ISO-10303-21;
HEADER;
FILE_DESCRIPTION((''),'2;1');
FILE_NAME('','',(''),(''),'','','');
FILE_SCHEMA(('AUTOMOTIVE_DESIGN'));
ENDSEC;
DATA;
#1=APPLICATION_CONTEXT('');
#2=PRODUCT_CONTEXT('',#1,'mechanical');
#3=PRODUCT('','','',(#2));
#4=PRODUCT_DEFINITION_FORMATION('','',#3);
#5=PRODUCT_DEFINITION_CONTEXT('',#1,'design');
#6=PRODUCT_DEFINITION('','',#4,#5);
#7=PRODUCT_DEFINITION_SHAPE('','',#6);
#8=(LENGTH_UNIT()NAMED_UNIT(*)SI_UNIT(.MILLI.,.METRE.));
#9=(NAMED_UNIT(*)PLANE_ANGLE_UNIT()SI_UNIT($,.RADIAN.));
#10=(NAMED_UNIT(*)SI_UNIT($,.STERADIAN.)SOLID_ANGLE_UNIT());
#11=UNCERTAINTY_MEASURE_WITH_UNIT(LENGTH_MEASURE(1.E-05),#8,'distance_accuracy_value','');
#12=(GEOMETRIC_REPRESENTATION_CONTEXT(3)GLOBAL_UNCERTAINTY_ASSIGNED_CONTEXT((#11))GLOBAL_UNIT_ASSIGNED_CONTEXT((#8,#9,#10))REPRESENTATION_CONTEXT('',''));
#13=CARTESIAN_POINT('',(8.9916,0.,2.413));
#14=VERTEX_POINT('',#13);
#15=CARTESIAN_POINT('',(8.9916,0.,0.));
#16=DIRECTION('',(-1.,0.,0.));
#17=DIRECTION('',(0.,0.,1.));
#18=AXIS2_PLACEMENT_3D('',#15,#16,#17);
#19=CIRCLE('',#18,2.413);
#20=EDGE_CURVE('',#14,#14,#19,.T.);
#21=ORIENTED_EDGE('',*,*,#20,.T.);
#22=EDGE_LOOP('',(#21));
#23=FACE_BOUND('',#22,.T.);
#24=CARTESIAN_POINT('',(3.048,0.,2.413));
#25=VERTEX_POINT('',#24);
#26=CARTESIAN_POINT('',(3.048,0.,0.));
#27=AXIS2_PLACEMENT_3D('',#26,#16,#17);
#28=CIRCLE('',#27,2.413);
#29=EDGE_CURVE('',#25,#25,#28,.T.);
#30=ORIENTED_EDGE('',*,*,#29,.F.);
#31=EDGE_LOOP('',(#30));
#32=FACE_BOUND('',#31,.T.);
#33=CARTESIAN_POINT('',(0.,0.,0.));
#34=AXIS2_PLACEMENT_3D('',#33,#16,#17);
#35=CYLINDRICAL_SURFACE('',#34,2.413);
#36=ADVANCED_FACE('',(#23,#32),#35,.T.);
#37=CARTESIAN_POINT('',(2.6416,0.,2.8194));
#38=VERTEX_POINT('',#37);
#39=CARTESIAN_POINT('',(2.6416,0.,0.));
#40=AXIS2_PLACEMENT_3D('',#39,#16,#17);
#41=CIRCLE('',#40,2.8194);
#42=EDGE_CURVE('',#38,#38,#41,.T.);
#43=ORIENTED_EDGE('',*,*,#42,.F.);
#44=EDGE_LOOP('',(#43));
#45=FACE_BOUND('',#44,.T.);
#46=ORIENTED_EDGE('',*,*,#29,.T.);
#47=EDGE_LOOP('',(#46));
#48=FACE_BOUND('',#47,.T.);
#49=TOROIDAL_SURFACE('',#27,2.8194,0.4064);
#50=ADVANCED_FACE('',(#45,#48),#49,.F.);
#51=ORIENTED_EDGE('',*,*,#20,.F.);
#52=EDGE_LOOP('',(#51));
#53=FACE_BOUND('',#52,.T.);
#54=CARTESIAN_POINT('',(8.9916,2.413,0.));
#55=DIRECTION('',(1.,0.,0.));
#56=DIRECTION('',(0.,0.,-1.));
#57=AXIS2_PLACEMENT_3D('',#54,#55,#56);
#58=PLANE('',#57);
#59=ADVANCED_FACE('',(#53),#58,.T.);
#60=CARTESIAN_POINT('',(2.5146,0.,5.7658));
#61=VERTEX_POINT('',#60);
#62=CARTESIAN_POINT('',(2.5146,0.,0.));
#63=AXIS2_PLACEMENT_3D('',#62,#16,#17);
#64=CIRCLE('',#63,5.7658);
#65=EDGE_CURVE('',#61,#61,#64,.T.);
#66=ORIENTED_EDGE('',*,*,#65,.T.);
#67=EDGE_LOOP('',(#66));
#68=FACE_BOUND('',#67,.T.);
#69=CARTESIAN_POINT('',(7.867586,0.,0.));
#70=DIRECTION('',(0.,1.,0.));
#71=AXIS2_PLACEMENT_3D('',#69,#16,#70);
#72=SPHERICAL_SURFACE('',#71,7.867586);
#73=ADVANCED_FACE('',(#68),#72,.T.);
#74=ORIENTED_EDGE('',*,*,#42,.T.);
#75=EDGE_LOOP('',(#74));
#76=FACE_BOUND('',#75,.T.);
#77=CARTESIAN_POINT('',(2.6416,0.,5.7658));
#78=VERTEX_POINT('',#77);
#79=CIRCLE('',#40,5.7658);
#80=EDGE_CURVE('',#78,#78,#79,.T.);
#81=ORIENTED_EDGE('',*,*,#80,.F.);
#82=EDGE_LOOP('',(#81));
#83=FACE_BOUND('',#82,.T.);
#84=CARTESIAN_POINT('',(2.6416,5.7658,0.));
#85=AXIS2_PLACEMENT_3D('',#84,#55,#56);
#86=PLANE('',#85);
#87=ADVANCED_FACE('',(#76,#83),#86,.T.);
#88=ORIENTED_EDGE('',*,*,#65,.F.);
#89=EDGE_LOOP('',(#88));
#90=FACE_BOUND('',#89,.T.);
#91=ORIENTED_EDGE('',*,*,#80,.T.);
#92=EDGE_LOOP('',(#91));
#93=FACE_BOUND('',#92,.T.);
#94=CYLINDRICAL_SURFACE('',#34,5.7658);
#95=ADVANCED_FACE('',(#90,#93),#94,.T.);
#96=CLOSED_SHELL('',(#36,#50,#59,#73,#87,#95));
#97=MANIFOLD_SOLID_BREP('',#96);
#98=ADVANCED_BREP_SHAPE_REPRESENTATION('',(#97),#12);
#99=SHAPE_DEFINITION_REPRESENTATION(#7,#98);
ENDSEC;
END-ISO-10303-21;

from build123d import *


with BuildPart() as part:
    # BodySke → Base-Revolve (revolve)
    with BuildSketch(Plane.XY, mode=Mode.PRIVATE) as base_revolve_sk:
        with BuildLine():
            Line((0, 0), (8.9916, 0))
            Line((8.9916, 0), (8.9916, 2.413))
            Line((8.9916, 2.413), (3.048, 2.413))
            ThreePointArc((3.048, 2.413), (2.760631804, 2.532031804), (2.6416, 2.8194))
            Line((2.6416, 2.8194), (2.6416, 5.7658))
            Line((2.6416, 5.7658), (2.5146, 5.7658))
            ThreePointArc((2.5146, 5.7658), (0.655998548, 3.145141603), (0, 0))
        make_face()
    revolve(base_revolve_sk.sketch.rotate(Axis((0, 0, 0), (1, 0, 0)), 90), axis=Axis((0, 0, 0), (1, 0, 0)))


solid = part.part
